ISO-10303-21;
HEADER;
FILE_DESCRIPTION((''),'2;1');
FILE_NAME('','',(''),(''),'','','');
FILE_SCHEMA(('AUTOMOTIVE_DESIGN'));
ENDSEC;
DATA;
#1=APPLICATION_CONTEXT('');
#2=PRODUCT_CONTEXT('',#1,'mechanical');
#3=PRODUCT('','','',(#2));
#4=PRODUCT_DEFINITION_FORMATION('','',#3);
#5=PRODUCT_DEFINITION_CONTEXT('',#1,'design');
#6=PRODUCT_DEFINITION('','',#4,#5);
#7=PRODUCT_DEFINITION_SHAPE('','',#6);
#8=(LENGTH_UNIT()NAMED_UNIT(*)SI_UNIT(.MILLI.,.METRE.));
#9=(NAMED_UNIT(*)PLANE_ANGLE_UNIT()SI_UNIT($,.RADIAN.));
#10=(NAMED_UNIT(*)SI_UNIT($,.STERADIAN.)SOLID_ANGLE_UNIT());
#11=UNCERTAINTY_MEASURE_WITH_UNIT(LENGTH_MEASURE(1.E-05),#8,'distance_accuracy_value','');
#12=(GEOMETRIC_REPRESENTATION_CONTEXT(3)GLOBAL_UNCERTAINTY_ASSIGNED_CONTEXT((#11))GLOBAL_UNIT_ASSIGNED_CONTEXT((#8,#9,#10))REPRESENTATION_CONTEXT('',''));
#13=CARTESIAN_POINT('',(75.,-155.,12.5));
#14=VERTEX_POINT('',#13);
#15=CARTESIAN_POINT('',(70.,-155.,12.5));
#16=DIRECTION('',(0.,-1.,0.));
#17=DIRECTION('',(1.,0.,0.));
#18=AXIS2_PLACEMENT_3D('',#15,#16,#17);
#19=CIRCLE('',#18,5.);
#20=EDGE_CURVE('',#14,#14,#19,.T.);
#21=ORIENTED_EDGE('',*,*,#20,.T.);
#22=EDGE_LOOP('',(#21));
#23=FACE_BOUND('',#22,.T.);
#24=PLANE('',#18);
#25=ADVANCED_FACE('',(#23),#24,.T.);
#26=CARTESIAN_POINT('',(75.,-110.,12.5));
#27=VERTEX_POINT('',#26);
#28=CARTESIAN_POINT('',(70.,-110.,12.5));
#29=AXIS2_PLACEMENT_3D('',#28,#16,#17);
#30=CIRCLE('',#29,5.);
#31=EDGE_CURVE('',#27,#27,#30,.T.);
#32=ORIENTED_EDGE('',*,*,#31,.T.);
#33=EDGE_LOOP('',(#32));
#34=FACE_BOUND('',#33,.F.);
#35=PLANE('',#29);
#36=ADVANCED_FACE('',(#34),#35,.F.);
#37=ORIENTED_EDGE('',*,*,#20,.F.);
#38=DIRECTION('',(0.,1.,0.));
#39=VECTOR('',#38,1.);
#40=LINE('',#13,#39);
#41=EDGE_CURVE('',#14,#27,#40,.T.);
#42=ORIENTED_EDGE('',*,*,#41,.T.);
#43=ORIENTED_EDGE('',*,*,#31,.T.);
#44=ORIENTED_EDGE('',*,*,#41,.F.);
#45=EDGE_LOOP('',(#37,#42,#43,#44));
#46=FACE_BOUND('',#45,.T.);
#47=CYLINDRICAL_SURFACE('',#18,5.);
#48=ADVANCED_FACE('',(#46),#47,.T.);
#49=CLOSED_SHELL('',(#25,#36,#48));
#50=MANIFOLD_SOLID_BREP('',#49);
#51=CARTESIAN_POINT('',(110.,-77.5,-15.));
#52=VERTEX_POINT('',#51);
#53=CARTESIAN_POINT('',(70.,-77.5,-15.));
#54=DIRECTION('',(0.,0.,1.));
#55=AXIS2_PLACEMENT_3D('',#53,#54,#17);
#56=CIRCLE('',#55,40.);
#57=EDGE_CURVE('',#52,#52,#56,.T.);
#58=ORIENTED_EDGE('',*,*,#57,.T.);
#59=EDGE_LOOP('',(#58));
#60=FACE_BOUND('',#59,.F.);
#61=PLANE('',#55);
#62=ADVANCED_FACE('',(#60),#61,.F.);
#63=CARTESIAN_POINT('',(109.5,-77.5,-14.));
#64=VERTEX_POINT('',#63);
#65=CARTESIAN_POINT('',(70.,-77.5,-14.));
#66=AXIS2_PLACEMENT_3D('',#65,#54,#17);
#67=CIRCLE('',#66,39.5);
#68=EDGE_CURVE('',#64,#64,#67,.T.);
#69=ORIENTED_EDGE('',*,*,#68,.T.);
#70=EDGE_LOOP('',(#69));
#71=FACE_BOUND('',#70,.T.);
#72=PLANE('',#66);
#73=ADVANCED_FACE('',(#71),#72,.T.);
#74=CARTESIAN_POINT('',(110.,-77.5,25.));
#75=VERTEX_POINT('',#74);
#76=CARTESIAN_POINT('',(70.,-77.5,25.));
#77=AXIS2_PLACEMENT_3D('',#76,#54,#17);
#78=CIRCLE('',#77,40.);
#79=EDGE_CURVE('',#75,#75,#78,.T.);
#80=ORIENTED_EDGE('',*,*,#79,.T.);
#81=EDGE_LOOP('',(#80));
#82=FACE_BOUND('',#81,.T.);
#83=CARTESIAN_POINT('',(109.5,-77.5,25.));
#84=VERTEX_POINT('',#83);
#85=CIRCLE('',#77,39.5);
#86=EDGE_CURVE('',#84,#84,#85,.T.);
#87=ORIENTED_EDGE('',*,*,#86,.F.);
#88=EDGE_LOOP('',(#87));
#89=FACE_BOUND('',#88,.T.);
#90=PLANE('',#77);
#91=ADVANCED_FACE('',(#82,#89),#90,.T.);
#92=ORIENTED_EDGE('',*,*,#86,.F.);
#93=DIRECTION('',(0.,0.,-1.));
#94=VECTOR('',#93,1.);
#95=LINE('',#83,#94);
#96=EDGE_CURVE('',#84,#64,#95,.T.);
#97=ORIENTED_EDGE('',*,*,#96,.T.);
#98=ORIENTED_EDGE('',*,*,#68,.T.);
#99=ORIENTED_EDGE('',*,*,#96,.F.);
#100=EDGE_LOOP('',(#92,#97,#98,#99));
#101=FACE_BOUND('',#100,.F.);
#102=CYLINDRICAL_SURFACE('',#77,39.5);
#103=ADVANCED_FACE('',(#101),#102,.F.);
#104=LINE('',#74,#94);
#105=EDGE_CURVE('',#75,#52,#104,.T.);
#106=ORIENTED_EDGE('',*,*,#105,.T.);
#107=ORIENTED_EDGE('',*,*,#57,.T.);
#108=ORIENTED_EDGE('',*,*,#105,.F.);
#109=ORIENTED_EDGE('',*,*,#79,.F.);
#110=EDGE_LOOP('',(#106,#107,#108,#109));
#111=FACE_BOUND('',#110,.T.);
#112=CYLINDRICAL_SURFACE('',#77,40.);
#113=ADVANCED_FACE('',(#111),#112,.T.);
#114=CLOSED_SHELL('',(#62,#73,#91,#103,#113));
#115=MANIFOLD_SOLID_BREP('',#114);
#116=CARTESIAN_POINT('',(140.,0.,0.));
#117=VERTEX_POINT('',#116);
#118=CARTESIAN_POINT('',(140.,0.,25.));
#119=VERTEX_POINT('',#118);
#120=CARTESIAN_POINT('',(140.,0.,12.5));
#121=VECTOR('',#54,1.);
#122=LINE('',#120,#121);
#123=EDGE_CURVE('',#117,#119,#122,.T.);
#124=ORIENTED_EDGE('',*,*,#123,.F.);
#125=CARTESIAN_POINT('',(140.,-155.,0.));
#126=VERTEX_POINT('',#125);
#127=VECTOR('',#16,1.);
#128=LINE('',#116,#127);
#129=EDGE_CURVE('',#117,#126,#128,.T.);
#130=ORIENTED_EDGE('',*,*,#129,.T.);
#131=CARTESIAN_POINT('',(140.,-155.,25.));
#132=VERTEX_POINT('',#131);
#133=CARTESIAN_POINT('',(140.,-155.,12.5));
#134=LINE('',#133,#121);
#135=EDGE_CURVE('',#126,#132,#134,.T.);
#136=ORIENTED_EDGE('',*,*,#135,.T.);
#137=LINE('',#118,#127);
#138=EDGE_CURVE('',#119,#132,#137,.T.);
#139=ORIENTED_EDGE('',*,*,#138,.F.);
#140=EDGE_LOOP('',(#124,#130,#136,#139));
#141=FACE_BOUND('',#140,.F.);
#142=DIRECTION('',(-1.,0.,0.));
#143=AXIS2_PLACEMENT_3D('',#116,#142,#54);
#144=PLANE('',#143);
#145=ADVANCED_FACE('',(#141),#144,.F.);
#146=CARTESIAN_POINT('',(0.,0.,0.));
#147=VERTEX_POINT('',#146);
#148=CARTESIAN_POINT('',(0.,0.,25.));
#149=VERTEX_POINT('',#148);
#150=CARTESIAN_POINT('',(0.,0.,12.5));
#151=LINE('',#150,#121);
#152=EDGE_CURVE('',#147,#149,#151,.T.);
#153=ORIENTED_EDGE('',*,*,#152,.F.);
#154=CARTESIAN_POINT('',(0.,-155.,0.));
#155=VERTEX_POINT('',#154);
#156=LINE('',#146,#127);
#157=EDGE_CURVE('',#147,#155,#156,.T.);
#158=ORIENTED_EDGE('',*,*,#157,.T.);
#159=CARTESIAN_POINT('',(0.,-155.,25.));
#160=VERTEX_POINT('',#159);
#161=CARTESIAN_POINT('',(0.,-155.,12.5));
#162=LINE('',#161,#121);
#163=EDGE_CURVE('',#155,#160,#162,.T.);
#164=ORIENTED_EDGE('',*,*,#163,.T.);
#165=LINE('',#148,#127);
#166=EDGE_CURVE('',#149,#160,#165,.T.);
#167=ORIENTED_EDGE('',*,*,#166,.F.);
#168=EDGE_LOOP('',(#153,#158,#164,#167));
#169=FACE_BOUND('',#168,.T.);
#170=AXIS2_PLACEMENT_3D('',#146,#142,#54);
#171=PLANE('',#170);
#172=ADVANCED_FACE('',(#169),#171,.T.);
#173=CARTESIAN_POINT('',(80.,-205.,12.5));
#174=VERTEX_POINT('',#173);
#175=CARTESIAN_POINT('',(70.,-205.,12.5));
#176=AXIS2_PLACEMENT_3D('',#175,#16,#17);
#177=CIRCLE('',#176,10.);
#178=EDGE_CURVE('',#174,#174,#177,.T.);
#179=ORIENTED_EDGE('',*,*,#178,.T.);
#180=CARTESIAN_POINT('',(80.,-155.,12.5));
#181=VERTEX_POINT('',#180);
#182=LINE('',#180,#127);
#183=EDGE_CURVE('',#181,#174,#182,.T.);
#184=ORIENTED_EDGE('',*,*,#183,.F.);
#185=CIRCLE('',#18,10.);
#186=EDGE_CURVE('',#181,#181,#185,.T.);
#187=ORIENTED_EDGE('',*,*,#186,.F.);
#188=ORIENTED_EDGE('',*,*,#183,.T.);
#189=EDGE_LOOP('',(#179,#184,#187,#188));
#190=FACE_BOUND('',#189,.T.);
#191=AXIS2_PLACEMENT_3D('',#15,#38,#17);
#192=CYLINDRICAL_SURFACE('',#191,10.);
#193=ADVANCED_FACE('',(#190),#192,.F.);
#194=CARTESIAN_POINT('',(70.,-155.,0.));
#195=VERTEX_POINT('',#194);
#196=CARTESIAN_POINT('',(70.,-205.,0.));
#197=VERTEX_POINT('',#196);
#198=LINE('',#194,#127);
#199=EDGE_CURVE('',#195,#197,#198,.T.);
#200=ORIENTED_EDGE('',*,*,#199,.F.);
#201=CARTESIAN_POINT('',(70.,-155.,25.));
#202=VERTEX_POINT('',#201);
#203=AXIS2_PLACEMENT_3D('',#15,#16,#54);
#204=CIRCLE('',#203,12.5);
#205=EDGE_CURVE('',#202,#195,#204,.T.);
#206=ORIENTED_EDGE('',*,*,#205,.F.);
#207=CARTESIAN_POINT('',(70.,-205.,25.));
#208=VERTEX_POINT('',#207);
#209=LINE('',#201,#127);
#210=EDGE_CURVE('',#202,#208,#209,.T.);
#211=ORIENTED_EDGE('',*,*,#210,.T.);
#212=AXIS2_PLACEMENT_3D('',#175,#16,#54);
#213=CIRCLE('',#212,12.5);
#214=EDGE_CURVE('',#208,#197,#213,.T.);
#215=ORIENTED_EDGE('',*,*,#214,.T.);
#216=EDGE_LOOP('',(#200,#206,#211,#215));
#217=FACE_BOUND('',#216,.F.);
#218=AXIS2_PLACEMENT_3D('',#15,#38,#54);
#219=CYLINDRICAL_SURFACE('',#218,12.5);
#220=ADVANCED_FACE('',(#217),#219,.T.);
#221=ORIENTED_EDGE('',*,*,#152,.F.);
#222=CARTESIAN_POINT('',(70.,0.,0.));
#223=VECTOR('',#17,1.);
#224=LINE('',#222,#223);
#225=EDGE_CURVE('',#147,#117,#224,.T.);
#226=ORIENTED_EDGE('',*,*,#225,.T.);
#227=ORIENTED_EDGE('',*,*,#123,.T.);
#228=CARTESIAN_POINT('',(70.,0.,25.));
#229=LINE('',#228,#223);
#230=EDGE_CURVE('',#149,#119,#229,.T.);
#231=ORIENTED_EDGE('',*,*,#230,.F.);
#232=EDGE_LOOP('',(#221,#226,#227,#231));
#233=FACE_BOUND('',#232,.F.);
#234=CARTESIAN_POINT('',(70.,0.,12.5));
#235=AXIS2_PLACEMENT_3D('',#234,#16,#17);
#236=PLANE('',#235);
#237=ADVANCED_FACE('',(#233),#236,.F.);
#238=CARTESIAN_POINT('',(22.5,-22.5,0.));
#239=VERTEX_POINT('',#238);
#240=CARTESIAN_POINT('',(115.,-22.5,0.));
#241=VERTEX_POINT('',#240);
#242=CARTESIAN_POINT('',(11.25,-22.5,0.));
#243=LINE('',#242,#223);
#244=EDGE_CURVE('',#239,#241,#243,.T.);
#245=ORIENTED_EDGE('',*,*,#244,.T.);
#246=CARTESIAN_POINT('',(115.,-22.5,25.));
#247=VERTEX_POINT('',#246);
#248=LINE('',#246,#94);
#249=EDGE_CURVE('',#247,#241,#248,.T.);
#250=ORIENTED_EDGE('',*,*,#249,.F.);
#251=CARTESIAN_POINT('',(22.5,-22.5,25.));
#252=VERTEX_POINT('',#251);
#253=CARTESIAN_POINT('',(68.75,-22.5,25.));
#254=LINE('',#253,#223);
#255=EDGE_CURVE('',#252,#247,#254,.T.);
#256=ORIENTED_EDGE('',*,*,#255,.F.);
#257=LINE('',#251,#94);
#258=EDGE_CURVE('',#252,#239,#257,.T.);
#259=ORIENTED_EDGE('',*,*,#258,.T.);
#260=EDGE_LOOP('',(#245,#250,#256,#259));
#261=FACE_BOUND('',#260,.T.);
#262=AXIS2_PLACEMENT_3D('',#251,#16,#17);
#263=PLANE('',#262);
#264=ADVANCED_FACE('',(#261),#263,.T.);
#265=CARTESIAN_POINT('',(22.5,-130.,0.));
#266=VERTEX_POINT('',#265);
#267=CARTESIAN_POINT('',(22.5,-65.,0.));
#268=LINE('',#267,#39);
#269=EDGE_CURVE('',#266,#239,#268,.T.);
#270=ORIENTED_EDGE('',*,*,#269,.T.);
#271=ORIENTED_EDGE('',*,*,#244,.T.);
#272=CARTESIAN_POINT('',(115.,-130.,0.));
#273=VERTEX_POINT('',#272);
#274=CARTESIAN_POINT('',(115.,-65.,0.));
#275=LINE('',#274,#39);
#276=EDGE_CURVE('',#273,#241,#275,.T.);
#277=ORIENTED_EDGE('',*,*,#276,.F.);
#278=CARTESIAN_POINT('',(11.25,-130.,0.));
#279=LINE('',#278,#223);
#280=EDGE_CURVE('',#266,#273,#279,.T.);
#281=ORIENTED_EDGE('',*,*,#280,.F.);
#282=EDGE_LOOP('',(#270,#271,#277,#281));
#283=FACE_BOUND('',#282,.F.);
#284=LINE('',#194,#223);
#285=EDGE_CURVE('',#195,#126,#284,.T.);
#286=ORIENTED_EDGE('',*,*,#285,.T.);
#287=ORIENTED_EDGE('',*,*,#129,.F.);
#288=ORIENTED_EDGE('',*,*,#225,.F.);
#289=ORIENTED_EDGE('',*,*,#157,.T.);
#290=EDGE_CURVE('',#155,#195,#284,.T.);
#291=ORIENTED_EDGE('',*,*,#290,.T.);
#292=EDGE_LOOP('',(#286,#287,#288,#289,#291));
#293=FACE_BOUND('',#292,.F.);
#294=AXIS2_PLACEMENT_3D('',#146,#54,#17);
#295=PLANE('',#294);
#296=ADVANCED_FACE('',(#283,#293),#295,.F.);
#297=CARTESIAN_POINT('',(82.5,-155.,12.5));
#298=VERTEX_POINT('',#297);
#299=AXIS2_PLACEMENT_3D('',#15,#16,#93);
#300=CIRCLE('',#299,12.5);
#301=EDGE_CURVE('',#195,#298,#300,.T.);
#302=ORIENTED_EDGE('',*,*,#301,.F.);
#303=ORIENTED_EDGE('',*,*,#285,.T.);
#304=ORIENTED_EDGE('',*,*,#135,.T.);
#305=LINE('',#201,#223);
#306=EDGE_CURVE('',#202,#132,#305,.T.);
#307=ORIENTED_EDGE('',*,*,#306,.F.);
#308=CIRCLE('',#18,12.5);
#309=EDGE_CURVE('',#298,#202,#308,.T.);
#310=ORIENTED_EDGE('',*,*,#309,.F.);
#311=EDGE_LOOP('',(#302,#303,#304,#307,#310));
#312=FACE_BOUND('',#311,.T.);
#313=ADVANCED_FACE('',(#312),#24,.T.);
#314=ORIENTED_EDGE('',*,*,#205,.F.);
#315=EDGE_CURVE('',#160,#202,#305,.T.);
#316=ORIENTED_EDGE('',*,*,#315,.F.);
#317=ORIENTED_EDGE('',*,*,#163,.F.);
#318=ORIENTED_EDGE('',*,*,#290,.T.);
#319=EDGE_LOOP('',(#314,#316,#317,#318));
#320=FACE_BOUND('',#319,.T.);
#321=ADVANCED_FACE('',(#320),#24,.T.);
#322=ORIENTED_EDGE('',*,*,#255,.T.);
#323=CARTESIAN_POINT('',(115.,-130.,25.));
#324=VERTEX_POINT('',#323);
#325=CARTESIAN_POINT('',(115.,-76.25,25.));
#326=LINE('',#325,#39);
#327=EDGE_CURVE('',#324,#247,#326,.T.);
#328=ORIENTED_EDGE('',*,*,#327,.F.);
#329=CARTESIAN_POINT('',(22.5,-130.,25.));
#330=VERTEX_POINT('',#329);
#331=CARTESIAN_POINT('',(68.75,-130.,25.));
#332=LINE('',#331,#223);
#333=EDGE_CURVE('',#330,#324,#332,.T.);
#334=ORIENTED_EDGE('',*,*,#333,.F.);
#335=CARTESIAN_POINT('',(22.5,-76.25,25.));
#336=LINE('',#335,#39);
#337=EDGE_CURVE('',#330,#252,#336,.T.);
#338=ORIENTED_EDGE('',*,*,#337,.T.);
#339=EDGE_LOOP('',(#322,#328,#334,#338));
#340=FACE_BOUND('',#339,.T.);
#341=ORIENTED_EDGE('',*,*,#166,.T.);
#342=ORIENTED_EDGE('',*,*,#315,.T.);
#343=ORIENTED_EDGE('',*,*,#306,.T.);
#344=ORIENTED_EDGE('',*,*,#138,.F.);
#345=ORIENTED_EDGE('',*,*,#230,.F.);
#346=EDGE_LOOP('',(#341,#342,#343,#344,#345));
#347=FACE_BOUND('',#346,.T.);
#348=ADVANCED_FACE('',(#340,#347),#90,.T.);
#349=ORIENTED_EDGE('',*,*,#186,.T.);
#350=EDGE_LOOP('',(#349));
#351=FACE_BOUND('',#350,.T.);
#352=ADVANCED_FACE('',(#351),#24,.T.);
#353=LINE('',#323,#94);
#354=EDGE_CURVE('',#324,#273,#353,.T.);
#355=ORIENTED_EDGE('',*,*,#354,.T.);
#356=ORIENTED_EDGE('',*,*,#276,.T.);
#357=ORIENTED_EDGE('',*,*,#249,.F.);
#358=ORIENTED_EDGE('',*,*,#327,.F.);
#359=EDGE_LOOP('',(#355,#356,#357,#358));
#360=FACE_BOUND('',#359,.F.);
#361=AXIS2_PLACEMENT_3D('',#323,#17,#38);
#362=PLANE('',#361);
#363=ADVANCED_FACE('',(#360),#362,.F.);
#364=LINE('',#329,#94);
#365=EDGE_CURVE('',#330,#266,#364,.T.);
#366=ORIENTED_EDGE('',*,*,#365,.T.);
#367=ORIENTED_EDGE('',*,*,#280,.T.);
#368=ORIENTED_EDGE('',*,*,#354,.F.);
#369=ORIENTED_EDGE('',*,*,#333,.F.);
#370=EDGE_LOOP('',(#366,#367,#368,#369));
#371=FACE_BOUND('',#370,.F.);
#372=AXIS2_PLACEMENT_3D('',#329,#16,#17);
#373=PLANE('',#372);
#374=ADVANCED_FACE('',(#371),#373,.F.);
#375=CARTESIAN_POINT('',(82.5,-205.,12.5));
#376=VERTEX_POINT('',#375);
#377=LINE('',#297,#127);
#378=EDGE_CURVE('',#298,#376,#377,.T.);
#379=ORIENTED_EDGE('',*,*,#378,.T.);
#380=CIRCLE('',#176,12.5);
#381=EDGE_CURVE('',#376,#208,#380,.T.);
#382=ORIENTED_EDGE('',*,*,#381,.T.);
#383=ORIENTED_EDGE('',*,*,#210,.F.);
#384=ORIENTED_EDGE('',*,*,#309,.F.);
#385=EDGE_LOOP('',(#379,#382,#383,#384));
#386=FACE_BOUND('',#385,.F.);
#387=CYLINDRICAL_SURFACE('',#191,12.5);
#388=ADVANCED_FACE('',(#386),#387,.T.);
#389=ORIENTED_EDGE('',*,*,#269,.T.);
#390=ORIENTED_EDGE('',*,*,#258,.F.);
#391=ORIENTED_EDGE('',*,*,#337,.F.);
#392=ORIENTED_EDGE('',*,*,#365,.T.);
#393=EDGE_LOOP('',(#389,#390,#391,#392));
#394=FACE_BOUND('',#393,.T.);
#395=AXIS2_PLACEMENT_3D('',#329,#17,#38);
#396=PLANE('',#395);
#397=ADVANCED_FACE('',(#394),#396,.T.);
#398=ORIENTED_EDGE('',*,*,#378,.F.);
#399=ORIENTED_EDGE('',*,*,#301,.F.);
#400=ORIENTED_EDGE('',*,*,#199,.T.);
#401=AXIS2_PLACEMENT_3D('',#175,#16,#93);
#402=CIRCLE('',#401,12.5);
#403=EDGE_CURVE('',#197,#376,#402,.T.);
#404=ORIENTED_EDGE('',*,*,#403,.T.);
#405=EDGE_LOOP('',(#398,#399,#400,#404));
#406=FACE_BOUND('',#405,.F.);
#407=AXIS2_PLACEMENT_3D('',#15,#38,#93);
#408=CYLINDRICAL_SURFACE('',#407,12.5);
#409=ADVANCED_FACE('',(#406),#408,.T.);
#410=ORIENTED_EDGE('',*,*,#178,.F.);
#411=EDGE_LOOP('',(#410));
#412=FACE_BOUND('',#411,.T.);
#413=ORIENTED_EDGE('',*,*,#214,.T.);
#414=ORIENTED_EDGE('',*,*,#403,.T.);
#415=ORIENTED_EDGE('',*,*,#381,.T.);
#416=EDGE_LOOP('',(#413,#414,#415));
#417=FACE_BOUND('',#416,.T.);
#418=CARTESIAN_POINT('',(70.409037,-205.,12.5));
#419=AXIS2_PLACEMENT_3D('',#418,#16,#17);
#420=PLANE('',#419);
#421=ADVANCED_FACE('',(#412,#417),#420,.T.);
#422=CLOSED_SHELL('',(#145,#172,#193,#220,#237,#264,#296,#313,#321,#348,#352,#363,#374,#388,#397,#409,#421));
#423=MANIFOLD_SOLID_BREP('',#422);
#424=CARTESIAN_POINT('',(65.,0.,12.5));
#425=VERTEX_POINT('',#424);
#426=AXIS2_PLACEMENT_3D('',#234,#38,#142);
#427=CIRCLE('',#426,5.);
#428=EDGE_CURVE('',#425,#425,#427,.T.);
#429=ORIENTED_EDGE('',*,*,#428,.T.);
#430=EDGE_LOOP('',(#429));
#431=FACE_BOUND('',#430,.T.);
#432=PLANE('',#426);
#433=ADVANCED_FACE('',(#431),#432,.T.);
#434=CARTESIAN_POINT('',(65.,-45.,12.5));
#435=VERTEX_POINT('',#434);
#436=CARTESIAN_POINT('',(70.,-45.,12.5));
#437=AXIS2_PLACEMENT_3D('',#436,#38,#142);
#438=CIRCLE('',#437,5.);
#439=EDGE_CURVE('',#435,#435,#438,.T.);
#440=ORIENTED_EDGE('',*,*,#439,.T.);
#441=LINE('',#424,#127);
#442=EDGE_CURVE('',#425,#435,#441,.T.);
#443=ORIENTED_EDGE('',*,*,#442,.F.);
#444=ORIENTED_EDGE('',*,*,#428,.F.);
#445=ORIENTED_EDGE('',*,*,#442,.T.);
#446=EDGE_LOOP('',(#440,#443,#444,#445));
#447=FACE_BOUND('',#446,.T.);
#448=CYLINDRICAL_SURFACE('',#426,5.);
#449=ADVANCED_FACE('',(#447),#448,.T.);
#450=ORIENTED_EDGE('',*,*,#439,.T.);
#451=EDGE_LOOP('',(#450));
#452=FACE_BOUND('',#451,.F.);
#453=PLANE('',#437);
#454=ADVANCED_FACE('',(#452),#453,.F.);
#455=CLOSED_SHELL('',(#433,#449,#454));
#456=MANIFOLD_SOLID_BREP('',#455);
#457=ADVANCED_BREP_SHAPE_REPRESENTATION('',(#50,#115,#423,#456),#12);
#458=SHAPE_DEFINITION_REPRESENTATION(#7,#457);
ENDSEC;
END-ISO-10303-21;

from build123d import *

# Parameters (mm, degrees)
F0_W      = 140
F0_H      = 25
F1_DEPTH  = 155
F2_R      = 40
F2_R_2    = 39.5
F3_DEPTH  = 40
F4_R      = 39.5
F5_DEPTH  = 39
F6_W      = 92.5
F6_H      = 107.5
F6_R      = 40
F7_DEPTH  = 95
F8_R      = 5
F9_DEPTH  = 45
F10_R     = 5
F11_DEPTH = 45
F12_R     = 10
F13_DEPTH = 50


with BuildPart() as f1:
    # F0 (on Front) → F1 (new body)
    with BuildSketch(Plane.XZ):
        with Locations((70, 12.5)):
            Rectangle(F0_W, F0_H)
    extrude(amount=F1_DEPTH)

    # F2 (on face) → F3 (join)
    with BuildSketch(Plane.XY.offset(25)):
        with Locations((70, -77.5)):
            Circle(F2_R)
        with Locations((70, -77.5)):
            Circle(F2_R_2, mode=Mode.SUBTRACT)
        with Locations((70, -77.5)):
            Circle(F2_R_2)
    extrude(amount=-F3_DEPTH)

    # F4 (on face) → F5 (cut)
    with BuildSketch(Plane.XY.offset(25)):
        with Locations((70, -77.5)):
            Circle(F4_R)
    extrude(amount=-F5_DEPTH, mode=Mode.SUBTRACT)

    # F6 (on face) → F7 (cut)
    with BuildSketch(Plane.XY.offset(25)):
        with Locations((68.75, -76.25)):
            Rectangle(F6_W, F6_H)
        with Locations((70, -77.5)):
            Circle(F6_R, mode=Mode.SUBTRACT)
    extrude(amount=-F7_DEPTH, mode=Mode.SUBTRACT)

    # F12 (on face) → F13 (join)
    with BuildSketch(Plane.XZ.offset(155)):
        with BuildLine():
            ThreePointArc((70, 0), (78.8388347648, 3.6611652352), (82.5, 12.5))
            ThreePointArc((82.5, 12.5), (78.8388347648, 21.3388347648), (70, 25))
            ThreePointArc((70, 25), (57.5, 12.5), (70, 0))
        make_face()
        with Locations((70, 12.5)):
            Circle(F12_R, mode=Mode.SUBTRACT)
    extrude(amount=F13_DEPTH)


with BuildPart() as f9:
    # F8 (on face) → F9 (new body)
    with BuildSketch(Plane.XZ.offset(155)):
        with Locations((70, 12.5)):
            Circle(F8_R)
    extrude(amount=-F9_DEPTH)


with BuildPart() as f11:
    # F10 (on face) → F11 (new body)
    with BuildSketch(Plane(origin=(0, 0, 0), x_dir=(-1, 0, 0), z_dir=(0, 1, 0))):
        with Locations((-70, 12.5)):
            Circle(F10_R)
    extrude(amount=-F11_DEPTH)


solid = Compound([f1.part, f9.part, f11.part])
